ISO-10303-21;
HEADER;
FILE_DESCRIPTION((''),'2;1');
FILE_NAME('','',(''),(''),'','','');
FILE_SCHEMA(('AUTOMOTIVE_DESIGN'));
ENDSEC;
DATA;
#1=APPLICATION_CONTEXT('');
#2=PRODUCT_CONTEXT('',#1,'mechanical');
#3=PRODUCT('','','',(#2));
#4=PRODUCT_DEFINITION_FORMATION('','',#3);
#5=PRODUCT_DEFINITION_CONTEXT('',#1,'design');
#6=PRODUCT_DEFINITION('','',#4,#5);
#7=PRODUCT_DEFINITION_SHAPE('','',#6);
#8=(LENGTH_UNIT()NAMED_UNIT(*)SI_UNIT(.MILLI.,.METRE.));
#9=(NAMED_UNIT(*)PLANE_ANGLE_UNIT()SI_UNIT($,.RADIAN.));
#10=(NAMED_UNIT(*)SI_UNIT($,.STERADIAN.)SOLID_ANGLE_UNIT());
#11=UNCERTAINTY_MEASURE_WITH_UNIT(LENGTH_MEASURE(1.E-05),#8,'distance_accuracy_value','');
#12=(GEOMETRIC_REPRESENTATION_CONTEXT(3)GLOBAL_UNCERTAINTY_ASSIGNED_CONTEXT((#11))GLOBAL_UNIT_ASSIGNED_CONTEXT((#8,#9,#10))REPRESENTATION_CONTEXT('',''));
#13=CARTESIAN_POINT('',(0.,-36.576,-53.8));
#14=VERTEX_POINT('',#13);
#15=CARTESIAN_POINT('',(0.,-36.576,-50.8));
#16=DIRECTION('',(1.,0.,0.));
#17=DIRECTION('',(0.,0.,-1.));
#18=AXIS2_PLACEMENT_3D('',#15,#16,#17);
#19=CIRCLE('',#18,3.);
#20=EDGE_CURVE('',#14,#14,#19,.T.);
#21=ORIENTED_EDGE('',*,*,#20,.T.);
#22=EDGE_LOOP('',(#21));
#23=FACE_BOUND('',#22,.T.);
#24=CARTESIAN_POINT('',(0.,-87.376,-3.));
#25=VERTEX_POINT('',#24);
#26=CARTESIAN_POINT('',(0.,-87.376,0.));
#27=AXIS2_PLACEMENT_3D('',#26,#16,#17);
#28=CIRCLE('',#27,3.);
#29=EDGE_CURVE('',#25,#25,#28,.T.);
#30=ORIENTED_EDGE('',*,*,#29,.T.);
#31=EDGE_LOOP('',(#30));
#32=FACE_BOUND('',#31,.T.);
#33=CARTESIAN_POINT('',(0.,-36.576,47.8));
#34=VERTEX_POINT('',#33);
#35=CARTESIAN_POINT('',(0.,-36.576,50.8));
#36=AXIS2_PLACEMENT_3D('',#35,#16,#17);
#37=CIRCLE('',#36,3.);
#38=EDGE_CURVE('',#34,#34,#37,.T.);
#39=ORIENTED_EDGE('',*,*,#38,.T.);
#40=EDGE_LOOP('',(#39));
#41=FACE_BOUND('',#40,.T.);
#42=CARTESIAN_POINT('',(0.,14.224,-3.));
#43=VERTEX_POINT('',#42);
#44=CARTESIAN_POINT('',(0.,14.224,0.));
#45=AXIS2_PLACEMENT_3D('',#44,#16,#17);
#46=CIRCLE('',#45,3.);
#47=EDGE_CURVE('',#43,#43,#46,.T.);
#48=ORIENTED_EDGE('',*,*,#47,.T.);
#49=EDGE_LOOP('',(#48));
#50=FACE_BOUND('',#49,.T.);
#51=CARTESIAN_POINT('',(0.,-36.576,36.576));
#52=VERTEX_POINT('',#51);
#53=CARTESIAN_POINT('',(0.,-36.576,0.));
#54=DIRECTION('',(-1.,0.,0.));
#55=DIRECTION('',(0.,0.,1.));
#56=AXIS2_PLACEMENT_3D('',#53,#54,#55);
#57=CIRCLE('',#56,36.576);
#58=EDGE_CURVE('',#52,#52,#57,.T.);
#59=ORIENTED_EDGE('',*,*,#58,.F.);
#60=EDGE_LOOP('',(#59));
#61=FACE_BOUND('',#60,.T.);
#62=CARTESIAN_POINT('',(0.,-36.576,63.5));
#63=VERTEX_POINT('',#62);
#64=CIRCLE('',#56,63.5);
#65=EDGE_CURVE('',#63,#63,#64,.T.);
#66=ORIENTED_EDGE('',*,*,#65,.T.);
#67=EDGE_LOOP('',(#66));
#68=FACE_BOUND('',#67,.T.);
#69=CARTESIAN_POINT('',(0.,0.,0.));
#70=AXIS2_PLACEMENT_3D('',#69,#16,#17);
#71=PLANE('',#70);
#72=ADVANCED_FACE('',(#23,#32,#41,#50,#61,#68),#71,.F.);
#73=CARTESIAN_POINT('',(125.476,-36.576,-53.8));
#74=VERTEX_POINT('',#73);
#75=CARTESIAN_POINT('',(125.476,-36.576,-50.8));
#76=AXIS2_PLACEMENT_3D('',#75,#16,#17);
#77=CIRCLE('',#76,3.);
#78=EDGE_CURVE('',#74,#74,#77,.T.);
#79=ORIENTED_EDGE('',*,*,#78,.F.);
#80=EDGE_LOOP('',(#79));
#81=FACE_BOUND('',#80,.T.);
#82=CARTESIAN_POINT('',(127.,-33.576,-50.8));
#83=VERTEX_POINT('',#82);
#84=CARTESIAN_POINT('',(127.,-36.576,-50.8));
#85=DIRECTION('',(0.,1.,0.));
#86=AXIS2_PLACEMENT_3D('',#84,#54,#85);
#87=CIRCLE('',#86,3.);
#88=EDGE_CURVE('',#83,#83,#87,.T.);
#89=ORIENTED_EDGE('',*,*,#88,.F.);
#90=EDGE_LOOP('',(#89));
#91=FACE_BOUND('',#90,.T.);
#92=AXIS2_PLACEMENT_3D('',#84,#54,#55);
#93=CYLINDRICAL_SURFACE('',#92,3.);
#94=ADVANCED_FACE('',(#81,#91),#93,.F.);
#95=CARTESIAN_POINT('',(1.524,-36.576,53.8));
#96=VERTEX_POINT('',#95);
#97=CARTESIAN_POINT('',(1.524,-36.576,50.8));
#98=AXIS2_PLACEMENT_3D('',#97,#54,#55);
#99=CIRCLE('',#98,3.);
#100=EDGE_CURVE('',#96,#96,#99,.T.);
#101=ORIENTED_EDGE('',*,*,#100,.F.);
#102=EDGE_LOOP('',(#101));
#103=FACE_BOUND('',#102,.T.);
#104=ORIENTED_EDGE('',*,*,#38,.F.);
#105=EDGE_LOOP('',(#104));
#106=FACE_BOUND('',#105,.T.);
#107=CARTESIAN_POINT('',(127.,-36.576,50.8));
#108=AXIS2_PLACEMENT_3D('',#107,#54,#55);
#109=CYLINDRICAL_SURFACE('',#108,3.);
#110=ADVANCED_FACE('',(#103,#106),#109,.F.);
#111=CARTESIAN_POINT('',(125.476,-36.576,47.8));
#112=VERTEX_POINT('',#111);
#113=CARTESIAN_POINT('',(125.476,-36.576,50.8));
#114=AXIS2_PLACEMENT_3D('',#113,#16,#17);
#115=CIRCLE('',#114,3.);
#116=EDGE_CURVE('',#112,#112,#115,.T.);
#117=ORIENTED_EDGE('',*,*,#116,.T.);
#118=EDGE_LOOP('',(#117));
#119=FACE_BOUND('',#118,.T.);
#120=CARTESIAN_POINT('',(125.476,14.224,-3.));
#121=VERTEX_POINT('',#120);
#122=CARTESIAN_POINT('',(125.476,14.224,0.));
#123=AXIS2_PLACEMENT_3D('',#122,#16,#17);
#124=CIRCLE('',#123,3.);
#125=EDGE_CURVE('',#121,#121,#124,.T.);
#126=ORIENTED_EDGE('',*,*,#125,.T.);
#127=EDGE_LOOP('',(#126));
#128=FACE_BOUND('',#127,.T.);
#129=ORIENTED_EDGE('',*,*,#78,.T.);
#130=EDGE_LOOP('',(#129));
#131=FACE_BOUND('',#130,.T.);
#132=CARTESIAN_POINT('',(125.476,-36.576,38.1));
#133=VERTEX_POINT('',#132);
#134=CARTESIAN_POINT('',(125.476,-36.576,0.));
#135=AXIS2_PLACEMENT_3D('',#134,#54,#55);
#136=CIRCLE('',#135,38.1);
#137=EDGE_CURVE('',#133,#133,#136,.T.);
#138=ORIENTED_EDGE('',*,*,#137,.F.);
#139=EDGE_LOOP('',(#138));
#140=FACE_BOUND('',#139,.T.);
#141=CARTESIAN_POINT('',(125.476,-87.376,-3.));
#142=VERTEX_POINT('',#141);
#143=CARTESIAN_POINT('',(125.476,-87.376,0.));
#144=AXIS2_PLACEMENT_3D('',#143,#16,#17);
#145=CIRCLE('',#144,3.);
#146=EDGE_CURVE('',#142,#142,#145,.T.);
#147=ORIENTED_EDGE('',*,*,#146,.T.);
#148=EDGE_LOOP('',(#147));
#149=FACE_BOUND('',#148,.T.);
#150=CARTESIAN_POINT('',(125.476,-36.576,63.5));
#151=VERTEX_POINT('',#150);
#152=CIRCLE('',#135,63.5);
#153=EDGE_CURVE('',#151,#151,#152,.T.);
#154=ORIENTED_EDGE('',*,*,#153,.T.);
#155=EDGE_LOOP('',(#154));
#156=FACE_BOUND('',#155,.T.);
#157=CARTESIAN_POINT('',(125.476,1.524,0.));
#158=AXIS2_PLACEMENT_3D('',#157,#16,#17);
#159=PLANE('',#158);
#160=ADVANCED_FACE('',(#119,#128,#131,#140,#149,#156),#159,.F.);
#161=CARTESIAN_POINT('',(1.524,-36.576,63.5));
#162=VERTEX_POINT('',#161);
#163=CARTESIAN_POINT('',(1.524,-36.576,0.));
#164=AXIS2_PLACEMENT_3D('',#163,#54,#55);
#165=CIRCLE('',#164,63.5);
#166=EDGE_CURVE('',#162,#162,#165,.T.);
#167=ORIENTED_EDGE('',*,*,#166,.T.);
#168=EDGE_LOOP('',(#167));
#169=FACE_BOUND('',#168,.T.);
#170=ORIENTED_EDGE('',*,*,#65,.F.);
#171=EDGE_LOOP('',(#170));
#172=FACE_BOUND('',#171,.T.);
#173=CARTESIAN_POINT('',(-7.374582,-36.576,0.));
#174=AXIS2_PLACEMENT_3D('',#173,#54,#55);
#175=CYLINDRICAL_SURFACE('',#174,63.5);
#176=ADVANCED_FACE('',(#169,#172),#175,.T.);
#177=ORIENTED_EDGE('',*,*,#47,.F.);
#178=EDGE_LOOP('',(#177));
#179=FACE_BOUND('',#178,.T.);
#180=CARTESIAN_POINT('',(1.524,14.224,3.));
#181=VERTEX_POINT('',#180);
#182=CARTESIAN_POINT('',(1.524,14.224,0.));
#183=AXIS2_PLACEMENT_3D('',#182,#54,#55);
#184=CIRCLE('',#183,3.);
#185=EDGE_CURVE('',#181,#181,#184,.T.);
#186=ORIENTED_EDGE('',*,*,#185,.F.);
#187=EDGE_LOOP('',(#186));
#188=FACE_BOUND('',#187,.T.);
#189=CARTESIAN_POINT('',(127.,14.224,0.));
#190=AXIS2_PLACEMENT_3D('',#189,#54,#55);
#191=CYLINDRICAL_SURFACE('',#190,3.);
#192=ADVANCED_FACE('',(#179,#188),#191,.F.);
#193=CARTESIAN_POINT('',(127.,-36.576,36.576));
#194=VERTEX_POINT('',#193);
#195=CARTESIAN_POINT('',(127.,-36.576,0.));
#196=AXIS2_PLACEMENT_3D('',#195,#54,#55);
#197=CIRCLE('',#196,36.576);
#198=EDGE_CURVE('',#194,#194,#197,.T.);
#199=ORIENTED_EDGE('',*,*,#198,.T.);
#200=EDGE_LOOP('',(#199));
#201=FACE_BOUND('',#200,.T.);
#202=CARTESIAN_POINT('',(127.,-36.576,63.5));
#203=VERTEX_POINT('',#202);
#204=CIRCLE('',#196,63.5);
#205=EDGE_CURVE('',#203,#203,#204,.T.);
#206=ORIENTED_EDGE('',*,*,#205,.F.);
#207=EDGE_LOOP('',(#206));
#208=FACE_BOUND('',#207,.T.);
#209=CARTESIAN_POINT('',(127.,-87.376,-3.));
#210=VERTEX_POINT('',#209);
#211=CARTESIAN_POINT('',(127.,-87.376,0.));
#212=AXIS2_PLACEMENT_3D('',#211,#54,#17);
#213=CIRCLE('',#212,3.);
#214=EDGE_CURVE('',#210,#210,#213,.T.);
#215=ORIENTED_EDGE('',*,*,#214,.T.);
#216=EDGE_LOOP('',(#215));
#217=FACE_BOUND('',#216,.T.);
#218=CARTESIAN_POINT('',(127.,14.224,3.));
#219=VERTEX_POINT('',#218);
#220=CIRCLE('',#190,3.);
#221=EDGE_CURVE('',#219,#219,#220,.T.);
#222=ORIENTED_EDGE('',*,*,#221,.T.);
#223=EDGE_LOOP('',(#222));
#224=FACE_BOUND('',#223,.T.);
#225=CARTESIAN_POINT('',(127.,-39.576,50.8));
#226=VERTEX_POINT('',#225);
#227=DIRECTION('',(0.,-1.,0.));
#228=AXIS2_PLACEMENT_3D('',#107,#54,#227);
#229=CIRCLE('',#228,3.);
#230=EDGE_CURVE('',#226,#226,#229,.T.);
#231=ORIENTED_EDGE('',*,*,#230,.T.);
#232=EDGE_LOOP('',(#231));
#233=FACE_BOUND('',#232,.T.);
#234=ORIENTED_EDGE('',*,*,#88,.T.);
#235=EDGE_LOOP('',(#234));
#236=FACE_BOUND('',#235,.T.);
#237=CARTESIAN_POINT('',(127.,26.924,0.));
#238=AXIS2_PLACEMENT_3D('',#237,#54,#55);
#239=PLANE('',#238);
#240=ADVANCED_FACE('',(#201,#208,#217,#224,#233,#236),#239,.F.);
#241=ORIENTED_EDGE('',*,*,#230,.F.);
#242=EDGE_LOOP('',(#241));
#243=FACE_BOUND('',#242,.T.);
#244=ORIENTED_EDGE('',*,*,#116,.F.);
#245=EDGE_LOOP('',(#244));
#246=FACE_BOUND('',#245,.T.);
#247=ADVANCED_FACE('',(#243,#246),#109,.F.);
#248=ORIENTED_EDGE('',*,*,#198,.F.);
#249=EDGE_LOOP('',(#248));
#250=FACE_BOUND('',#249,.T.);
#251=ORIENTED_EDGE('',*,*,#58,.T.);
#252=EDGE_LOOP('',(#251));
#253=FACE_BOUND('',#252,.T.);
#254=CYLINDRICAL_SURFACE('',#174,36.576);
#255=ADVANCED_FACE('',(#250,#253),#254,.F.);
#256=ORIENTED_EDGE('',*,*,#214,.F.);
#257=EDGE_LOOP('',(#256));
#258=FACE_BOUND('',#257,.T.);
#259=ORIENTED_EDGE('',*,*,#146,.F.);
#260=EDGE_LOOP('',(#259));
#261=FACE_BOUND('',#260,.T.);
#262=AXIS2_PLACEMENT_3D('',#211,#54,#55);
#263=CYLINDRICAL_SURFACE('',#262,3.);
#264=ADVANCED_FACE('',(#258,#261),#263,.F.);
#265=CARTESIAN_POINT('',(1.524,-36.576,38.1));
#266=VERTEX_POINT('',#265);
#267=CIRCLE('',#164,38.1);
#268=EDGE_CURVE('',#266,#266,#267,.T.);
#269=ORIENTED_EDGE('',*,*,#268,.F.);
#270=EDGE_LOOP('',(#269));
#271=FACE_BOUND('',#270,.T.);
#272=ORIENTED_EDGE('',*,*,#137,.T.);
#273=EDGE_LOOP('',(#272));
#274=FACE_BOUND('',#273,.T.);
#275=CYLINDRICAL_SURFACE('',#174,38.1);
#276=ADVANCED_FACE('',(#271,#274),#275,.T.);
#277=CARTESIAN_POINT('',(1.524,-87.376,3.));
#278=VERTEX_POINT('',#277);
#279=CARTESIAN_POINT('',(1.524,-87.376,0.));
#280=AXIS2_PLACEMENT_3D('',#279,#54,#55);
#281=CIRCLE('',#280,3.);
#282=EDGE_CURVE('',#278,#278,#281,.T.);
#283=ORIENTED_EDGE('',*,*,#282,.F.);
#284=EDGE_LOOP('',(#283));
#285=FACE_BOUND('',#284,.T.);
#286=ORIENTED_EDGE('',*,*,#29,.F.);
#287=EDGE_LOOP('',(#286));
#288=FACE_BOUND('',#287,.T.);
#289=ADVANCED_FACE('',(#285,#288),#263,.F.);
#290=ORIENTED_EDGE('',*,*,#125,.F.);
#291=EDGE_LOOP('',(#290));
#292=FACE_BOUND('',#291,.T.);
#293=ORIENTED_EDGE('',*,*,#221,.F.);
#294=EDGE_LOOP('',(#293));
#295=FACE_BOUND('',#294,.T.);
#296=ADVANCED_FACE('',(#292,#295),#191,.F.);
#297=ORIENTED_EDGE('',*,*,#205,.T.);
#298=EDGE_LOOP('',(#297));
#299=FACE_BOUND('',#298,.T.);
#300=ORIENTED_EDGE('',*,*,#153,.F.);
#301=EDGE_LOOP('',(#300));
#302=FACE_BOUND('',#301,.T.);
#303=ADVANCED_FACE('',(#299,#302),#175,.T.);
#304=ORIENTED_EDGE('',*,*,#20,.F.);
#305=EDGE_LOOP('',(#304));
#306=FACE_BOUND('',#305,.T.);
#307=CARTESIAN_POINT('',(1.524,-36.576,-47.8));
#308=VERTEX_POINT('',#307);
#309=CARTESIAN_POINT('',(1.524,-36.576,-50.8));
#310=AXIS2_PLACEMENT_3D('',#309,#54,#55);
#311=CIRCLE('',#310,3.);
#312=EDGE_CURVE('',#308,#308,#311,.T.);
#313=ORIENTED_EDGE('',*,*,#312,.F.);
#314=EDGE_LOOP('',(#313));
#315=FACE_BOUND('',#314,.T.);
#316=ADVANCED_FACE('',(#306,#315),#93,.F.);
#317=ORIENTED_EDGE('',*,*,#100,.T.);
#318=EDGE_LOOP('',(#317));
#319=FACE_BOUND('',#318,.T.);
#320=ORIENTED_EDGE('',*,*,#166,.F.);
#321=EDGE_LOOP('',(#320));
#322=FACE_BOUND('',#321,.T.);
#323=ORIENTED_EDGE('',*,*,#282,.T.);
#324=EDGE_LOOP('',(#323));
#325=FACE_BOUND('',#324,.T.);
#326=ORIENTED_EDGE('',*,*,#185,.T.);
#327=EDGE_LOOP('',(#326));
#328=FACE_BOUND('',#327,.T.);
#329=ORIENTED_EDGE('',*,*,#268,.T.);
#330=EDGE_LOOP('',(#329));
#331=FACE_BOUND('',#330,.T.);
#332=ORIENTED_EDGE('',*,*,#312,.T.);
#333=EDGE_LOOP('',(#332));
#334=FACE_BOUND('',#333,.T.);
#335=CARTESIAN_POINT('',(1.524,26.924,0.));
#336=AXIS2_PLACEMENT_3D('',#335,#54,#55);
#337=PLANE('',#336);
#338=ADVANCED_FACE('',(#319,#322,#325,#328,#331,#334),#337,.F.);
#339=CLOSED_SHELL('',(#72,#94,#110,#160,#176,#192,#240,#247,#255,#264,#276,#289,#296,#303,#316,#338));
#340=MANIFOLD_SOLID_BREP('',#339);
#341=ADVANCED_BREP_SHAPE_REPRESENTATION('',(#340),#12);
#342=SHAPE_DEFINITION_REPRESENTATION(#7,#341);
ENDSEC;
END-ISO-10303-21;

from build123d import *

# Parameters (mm, degrees)
SKETCH4_R          = 3
CUT_EXTRUDE1_DEPTH = 174.713717869
CIRPATTERN1_COUNT  = 4


with BuildPart() as part:
    # Sketch3 → Revolve1 (revolve)
    with BuildSketch(Plane.XY, mode=Mode.PRIVATE) as revolve1_sk:
        Polygon((0, 0), (0, 26.924), (1.524, 26.924), (1.524, 1.524), (125.476, 1.524), (125.476, 26.924), (127, 26.924), (127, 0), align=None)
    revolve(revolve1_sk.sketch.rotate(Axis((-7.37458194, -36.576, 0), (1, 0, 0)), 90), axis=Axis((-7.37458194, -36.576, 0), (1, 0, 0)))

    # Sketch4 → Cut-Extrude1 (cut, symmetric)
    with BuildSketch(Plane.ZY):
        with Locations((0, 14.224)):
            Circle(SKETCH4_R)
    cut_extrude1 = extrude(amount=CUT_EXTRUDE1_DEPTH, both=True, mode=Mode.SUBTRACT)

    # CirPattern1: Cut-Extrude1 ×4 about axis
    cirpattern1_axis = Axis((0, -36.576, 0), (1, 0, 0))
    for i in range(1, CIRPATTERN1_COUNT):
        add(cut_extrude1.rotate(cirpattern1_axis, i * 360 / CIRPATTERN1_COUNT), mode=Mode.SUBTRACT)


solid = part.part
